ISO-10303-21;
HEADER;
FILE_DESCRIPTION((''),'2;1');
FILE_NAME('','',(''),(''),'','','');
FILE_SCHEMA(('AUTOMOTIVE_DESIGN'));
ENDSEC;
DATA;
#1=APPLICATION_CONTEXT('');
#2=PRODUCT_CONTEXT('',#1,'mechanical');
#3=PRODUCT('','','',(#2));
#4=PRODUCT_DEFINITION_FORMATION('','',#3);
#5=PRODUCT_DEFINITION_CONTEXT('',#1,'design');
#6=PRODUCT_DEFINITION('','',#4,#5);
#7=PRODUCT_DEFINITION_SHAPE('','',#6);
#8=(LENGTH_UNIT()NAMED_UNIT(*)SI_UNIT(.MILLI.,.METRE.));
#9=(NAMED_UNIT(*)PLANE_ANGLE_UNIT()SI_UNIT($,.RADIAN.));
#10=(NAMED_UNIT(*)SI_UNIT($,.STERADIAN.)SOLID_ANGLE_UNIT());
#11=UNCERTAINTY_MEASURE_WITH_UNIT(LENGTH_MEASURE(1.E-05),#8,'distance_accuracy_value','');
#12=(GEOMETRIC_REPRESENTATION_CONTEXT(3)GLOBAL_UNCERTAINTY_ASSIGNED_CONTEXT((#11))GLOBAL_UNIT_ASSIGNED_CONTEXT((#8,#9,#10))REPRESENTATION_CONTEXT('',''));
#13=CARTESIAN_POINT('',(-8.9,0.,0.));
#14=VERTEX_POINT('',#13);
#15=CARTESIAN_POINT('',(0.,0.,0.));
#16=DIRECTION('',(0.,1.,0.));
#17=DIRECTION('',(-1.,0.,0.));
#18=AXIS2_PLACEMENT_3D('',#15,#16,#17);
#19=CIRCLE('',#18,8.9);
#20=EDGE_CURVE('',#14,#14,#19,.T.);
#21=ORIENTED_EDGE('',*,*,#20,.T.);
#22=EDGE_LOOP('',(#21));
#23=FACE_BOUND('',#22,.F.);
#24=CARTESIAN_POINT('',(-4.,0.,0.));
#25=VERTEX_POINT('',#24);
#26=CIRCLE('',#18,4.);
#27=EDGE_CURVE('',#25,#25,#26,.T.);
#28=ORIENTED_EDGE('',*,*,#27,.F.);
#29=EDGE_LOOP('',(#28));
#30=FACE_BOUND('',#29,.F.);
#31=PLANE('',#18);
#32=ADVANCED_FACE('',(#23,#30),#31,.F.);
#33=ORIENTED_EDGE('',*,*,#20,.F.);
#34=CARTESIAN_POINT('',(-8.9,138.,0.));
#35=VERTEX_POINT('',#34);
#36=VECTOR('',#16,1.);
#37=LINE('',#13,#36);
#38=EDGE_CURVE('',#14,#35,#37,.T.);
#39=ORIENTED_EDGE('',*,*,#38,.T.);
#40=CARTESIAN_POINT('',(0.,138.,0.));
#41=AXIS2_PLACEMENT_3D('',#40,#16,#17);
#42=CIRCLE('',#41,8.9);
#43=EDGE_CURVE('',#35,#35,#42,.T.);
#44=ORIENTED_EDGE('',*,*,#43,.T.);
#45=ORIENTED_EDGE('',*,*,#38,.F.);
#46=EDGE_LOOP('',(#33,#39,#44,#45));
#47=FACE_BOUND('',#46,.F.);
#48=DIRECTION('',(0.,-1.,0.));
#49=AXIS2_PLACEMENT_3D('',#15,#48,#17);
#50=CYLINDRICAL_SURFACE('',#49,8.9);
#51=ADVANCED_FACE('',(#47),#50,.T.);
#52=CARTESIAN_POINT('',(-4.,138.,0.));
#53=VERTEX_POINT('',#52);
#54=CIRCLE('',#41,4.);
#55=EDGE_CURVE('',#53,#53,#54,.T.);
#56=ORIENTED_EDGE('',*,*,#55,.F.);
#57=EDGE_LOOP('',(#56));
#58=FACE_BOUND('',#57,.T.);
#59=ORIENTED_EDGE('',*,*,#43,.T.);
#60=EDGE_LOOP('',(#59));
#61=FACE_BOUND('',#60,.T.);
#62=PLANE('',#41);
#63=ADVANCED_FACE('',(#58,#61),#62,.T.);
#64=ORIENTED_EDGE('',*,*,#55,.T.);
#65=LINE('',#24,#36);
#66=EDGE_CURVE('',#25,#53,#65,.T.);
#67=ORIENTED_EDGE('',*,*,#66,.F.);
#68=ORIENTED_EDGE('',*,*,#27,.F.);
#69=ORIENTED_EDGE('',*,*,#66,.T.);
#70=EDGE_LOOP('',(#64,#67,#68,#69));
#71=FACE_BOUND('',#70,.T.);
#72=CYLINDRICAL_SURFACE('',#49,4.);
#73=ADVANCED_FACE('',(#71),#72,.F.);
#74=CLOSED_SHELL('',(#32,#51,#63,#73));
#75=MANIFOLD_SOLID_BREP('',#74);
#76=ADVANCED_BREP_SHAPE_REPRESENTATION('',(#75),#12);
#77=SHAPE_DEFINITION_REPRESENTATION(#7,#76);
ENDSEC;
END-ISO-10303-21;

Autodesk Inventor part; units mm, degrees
ref_plane "YZ Plane" through (0, 0, 0) normal (1, 0, 0) x (0, 1, 0)
ref_plane "XZ Plane" through (0, 0, 0) normal (0, 1, 0) x (-1, 0, 0)
ref_plane "XY Plane" through (0, 0, 0) normal (0, 0, 1) x (1, 0, 0)
sketch "Sketch1" plane through (0, 0, 0) normal (0, 1, 0) x (-1, 0, 0)
  circle A0 centre (0, 0) radius 8.9
  circle A1 centre (0, 0) radius 4
  dimension "d0" = 17.8
  dimension "d1" = 8
extrude "Extrusion1" add sketch "Sketch1" along normal blind 138
properties part number "Landing Dock Legs"
